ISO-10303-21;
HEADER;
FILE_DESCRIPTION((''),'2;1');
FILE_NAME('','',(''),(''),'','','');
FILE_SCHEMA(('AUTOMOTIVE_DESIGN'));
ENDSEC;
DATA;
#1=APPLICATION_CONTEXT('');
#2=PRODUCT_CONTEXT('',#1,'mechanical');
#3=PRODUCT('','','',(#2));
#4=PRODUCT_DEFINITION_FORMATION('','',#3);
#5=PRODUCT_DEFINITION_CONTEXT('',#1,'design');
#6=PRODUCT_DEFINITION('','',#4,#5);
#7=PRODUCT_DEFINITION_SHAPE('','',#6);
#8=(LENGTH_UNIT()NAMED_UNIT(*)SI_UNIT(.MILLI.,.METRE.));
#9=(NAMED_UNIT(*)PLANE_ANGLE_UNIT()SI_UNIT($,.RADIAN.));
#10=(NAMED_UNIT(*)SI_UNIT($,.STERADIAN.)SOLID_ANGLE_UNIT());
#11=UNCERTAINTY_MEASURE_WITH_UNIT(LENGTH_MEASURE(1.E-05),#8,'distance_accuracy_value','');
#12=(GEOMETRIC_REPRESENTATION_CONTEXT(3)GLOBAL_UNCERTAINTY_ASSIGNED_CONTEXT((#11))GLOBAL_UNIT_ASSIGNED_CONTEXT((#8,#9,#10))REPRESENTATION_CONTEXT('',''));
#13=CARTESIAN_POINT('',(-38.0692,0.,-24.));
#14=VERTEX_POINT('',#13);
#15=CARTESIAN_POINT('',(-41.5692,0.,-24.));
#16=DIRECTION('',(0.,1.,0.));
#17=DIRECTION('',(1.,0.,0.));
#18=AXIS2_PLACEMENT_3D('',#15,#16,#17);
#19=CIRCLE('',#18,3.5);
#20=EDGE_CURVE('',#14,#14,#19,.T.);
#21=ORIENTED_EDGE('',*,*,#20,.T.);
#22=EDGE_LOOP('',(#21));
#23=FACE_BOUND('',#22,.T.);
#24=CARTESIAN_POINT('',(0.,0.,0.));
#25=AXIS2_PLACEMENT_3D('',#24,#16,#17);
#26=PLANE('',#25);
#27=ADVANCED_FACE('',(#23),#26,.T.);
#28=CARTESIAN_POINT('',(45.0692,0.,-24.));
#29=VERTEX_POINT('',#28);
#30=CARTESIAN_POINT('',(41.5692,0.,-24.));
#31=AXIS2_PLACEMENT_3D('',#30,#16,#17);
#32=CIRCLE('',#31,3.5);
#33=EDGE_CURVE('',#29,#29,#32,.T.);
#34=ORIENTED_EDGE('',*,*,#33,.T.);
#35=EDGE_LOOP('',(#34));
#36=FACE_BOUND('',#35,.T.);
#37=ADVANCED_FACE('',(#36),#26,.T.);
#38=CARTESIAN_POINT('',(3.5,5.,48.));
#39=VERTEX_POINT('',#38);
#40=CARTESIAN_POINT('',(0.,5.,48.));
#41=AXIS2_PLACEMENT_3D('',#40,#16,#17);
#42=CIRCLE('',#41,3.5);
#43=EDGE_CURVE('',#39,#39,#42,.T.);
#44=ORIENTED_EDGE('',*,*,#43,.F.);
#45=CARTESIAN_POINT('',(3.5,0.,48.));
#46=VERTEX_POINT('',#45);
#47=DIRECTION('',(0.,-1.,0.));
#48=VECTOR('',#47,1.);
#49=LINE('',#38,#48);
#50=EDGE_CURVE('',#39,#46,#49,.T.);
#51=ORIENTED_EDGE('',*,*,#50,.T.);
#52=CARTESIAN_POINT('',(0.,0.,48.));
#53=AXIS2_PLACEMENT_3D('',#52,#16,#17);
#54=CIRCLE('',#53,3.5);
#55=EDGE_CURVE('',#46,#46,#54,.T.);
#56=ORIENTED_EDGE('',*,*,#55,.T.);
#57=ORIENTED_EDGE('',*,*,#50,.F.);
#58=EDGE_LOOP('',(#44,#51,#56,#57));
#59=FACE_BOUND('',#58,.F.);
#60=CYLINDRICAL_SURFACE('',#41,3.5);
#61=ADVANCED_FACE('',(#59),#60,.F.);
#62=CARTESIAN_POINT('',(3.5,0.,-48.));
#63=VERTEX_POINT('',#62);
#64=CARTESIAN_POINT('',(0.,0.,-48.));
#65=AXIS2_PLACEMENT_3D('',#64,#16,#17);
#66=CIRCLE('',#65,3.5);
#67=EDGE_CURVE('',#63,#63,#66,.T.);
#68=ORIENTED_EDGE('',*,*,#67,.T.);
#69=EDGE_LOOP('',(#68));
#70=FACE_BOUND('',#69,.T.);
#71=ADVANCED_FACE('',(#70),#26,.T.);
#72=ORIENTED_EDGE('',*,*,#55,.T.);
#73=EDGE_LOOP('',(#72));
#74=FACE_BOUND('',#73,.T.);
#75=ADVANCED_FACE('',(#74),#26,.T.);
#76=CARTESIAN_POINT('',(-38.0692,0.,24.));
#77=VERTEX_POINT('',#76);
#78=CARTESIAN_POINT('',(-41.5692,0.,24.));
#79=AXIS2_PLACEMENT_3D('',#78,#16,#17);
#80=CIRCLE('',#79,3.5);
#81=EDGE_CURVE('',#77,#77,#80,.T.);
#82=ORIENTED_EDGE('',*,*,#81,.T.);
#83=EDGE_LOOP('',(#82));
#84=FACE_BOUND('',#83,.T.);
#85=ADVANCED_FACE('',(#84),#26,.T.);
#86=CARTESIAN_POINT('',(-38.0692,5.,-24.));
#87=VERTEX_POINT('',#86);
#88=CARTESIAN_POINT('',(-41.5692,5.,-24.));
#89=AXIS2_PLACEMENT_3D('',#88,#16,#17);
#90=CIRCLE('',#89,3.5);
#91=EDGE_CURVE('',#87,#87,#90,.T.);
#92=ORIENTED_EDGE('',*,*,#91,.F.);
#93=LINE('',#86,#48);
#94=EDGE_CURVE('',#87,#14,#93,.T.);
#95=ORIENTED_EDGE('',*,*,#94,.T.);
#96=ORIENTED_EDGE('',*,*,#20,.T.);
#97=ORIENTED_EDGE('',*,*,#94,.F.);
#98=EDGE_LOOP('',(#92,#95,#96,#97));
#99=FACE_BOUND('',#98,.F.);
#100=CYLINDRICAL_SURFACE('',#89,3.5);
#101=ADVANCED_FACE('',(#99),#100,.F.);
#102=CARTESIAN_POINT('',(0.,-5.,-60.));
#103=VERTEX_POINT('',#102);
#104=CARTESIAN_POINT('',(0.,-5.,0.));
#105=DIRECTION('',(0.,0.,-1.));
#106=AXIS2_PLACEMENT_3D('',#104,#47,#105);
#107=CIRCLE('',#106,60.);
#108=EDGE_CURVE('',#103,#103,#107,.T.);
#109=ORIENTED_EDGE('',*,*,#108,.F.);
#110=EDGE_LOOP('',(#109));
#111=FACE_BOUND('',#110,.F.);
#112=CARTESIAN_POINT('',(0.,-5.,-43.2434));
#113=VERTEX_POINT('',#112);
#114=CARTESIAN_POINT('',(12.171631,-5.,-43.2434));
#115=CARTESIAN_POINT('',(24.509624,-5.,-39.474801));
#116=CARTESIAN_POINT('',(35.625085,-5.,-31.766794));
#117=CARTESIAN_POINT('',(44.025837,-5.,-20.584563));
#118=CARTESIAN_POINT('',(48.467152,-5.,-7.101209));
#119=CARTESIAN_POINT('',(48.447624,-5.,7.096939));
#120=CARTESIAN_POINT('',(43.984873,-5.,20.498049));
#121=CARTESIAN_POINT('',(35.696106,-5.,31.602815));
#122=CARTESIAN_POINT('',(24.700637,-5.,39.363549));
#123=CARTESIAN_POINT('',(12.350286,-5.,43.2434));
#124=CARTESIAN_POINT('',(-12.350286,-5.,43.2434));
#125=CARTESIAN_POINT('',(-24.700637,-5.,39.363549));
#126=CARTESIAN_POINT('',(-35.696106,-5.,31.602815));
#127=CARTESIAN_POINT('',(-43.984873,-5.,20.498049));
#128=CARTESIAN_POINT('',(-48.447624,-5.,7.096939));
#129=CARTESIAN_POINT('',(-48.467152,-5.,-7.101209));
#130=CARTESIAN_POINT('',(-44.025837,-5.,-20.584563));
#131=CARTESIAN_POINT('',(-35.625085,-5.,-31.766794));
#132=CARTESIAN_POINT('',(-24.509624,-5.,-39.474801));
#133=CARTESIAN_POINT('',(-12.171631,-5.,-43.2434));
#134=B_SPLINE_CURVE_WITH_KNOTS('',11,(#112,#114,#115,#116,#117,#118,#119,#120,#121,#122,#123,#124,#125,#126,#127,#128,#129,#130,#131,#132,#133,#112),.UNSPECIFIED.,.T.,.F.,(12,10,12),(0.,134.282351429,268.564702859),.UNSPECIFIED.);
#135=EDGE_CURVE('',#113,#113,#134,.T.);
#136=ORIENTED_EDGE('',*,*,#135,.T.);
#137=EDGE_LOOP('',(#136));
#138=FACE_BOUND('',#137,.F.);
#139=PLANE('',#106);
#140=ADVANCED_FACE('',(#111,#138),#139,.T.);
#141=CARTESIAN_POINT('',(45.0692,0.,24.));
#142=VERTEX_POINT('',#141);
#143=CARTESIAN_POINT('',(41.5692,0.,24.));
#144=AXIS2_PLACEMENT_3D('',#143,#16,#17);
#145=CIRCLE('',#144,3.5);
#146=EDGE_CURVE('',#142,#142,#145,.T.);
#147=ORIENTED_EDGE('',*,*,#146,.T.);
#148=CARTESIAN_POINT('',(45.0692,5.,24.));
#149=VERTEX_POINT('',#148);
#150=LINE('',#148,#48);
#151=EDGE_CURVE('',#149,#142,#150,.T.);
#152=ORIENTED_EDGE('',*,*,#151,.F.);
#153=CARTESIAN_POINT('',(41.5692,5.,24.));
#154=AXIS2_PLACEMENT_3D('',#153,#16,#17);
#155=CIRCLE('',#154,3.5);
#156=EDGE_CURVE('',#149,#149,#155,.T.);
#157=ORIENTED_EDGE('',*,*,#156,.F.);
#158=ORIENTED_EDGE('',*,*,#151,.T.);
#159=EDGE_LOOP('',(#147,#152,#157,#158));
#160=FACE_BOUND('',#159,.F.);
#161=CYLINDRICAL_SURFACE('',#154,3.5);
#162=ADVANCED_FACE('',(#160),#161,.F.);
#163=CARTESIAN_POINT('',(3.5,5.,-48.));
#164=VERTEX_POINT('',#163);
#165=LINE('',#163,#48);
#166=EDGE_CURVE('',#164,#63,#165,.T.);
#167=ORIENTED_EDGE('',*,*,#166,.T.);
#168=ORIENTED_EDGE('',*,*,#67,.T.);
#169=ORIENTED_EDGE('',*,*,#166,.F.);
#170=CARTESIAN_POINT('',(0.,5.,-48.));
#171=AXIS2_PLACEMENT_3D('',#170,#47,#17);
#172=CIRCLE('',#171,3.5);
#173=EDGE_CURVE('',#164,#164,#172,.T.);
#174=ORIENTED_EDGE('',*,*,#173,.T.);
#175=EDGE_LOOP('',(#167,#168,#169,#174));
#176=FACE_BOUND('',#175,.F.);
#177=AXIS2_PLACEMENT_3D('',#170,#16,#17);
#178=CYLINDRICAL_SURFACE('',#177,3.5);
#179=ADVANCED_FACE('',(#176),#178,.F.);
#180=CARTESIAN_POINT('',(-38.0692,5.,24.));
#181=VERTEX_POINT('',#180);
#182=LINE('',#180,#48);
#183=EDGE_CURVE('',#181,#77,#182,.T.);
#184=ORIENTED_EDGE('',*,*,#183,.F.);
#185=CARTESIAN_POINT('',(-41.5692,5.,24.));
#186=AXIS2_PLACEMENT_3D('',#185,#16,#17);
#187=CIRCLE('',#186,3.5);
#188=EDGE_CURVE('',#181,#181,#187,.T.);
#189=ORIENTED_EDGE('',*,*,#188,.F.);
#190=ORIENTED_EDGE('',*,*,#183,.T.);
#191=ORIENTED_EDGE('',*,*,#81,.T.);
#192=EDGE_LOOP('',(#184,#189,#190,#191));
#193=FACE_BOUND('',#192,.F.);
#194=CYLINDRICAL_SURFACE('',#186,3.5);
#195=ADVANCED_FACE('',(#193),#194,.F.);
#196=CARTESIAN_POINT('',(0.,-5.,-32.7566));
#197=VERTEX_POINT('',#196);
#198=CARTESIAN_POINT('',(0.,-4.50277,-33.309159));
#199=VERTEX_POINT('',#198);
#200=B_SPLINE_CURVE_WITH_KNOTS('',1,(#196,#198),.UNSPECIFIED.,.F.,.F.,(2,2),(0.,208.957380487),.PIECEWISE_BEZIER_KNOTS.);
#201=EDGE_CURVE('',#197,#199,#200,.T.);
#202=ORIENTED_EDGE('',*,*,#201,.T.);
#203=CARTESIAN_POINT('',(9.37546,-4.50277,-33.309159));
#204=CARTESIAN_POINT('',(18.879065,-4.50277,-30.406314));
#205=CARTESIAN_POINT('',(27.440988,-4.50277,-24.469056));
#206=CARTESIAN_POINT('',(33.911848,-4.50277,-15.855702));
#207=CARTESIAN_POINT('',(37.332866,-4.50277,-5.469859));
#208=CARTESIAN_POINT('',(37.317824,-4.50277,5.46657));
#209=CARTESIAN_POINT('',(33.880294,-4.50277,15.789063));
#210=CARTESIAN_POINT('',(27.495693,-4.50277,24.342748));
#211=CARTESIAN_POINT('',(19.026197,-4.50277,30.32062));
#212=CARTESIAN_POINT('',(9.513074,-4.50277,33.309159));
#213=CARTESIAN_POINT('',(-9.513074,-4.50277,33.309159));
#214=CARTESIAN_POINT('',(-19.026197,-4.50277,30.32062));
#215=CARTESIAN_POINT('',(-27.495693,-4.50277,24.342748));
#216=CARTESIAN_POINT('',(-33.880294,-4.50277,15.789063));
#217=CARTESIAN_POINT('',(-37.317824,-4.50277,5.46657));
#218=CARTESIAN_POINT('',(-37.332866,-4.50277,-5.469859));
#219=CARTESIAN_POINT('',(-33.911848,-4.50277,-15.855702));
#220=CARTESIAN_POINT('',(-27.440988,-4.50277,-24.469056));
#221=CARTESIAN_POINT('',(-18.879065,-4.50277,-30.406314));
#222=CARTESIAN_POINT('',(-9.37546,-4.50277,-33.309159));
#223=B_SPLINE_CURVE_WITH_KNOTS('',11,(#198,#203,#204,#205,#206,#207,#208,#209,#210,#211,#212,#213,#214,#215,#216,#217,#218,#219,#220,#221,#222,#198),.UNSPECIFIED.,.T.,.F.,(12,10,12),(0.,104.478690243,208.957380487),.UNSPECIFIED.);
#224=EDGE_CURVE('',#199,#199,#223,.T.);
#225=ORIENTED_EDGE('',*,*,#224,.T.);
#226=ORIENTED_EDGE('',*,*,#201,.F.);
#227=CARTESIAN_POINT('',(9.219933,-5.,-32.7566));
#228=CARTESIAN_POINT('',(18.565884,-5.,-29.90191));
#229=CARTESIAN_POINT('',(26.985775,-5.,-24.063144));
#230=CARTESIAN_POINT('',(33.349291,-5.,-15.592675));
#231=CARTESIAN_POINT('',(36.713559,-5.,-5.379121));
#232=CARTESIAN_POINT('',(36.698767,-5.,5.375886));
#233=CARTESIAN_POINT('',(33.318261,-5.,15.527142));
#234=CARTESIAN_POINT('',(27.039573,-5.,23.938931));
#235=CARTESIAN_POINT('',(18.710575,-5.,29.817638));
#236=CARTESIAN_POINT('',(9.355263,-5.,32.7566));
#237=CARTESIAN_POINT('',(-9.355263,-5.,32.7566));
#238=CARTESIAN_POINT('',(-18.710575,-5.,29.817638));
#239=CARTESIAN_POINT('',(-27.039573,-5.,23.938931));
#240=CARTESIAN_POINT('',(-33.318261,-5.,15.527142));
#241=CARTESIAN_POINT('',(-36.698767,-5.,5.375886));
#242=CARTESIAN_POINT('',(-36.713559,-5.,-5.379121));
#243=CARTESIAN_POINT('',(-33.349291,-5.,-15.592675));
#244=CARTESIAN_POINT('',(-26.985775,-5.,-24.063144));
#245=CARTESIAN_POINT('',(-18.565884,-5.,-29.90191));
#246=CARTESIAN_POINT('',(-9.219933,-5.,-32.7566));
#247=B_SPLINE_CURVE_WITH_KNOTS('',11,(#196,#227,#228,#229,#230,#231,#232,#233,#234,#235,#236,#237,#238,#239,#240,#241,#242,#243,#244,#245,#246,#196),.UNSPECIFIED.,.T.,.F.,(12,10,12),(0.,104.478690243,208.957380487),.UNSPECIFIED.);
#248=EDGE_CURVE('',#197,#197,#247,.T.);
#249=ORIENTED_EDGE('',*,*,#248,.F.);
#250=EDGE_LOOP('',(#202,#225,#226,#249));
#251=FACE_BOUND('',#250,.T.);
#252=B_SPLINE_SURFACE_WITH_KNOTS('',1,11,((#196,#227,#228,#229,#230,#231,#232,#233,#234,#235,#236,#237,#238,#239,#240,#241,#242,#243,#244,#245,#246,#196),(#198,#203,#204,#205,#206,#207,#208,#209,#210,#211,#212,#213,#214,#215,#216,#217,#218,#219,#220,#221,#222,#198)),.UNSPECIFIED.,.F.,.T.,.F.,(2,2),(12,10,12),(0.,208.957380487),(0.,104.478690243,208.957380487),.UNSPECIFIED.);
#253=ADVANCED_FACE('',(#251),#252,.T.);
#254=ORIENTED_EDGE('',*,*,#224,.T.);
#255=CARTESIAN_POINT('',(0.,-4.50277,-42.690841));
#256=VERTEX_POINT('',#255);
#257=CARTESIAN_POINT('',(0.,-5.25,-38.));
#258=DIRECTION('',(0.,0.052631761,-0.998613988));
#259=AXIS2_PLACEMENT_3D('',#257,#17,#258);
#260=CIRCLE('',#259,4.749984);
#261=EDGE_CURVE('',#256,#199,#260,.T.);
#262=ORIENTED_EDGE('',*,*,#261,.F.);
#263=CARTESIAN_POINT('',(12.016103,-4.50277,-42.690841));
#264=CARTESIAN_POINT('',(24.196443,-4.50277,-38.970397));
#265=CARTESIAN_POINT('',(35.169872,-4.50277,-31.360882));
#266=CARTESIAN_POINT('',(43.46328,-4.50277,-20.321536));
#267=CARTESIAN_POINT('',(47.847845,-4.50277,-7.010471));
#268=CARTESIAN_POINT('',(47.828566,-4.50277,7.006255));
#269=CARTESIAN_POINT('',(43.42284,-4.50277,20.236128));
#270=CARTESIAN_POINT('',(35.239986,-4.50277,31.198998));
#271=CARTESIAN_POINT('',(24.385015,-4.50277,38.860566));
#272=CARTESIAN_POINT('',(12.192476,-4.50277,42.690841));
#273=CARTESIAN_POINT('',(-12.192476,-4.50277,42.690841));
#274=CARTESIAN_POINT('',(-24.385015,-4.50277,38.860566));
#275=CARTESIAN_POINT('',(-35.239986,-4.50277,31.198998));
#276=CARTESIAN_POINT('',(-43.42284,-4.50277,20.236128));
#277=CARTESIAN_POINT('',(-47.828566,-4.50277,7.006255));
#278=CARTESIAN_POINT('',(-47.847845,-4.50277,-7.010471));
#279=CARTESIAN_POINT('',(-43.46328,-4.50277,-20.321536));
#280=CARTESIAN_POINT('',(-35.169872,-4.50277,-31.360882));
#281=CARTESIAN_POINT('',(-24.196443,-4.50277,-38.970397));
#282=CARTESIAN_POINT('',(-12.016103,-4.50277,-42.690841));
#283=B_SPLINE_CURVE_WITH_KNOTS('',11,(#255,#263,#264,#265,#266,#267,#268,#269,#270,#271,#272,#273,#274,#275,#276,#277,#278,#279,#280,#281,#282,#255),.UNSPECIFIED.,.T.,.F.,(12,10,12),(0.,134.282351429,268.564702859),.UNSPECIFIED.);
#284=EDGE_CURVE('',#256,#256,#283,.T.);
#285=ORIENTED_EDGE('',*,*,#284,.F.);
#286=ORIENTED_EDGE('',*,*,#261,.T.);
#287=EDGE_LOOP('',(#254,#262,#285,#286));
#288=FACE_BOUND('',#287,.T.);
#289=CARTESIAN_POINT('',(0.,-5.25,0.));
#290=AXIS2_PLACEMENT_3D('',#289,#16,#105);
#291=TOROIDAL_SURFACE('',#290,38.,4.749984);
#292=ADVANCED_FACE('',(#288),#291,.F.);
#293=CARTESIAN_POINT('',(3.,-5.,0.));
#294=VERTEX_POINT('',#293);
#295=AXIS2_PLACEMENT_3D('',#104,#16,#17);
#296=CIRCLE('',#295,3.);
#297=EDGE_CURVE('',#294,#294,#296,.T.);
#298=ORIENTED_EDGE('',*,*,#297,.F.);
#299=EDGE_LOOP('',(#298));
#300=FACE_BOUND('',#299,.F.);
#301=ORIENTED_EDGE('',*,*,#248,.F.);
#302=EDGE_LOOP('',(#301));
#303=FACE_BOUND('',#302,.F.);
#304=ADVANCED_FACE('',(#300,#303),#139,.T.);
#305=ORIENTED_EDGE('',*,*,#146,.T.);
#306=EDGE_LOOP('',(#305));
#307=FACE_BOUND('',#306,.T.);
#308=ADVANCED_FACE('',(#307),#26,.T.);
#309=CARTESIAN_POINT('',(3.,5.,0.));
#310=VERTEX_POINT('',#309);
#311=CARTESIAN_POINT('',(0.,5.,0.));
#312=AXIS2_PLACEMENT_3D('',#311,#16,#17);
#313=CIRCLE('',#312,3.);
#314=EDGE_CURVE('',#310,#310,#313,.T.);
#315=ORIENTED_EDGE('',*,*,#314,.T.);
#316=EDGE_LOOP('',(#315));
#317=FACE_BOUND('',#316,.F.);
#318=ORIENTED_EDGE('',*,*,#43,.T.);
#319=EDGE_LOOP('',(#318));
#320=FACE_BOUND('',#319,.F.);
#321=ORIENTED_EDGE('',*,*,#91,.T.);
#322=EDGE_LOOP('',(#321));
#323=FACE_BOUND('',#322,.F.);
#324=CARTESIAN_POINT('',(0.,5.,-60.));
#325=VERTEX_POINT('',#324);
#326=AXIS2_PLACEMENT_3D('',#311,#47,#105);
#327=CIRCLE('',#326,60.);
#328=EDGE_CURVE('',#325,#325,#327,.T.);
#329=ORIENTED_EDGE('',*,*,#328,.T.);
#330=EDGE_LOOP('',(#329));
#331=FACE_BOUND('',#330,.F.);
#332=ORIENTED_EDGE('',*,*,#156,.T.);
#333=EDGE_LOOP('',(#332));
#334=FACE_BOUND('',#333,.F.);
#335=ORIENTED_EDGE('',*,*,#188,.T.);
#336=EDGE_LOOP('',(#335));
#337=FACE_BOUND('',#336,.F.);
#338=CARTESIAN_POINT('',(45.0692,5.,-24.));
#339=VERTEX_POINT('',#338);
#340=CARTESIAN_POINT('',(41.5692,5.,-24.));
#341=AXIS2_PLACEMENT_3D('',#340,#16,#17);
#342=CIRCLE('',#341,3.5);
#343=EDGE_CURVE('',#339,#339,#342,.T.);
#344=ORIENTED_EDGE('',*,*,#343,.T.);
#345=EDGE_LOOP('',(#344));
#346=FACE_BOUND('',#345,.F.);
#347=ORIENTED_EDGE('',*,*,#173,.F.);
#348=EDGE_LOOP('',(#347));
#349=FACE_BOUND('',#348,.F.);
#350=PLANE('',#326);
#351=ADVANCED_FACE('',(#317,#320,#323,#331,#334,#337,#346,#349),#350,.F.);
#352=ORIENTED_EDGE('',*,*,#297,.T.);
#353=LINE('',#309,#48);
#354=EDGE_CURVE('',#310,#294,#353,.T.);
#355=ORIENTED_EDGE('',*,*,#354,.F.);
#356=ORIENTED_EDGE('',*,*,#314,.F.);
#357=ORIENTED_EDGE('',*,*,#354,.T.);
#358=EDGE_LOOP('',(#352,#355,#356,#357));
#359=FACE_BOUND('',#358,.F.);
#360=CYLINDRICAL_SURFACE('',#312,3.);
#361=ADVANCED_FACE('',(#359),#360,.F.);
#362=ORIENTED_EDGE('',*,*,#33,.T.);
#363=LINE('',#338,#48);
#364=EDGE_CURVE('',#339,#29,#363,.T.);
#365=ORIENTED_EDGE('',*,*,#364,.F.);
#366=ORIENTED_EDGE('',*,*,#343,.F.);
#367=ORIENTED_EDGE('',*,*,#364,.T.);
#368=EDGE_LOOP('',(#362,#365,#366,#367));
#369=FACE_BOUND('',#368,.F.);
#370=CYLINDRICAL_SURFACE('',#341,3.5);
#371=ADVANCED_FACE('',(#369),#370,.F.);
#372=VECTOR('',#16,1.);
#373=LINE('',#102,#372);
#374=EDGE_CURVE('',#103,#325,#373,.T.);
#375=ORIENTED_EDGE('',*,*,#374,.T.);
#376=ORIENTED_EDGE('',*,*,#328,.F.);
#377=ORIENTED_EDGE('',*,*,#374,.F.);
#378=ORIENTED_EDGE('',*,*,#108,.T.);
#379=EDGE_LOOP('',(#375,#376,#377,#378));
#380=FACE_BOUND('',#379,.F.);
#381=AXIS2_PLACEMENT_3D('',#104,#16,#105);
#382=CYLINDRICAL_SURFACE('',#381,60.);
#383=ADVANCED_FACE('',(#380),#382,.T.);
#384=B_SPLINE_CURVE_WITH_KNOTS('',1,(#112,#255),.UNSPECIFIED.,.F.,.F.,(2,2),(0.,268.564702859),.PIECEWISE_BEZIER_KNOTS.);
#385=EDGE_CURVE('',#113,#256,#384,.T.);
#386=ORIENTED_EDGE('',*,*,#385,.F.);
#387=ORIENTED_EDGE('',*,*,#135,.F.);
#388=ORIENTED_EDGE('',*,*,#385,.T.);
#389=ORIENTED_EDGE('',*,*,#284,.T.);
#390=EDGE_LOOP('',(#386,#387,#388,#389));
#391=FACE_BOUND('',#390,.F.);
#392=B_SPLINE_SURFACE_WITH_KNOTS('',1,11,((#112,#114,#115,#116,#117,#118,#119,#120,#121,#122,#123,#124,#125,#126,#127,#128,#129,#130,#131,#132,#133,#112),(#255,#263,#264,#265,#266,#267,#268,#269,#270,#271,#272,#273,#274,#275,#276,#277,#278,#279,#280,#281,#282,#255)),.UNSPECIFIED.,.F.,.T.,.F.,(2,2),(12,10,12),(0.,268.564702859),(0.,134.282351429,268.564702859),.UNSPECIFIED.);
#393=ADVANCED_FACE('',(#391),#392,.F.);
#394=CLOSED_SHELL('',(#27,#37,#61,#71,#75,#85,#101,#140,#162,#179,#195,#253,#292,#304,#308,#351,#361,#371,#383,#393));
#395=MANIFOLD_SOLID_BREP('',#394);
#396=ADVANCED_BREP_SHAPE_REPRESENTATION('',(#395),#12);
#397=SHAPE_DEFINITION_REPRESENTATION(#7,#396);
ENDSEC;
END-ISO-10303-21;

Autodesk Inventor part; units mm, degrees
ref_plane "YZ Plane" through (0, 0, 0) normal (1, 0, 0) x (0, 1, 0)
ref_plane "XZ Plane" through (0, 0, 0) normal (0, 1, 0) x (-1, 0, 0)
ref_plane "XY Plane" through (0, 0, 0) normal (0, 0, 1) x (1, 0, 0)
sketch "Szkic1" plane through (0, 0, 0) normal (1, 0, 0) x (0, 1, 0)
  line L0 (5, 0) -> (-5, 0)
  line L1 (-5, 0) -> (-5, -19.25)
  line L2 (-5, -60) -> (5, -60)
  line L3 (5, -60) -> (5, 0)
  line L4 (5, 0) -> (5, -32)
  line L5 (5, 0) -> (5, -28.5)
  line L6 (-5, 0) -> (-5, -6)
  line L7 (-7.3, 0) -> (7.05, 0) projected
  line L8 (-5, 0) -> (-5, -33.2566)
  line L9 (-5, 0) -> (-5.25, 0)
  arc A0 (-5, -42.7434) -> (-5, -33.2566) centre (-5.25, -38) ccw
  line L10 (-5, -42.7434) -> (-5, -60)
  line L11 (-5, -28.75) -> (-5, -33.2566)
  line L12 (-5, -42.7434) -> (-5, -60)
  point P0 (0, 0)
  point P1 (0, 0)
  dimension "d0" = 10
  dimension "d1" = 60
  dimension "d44" = 38
  dimension "d48" = 4.75
revolve "Obrót2" add sketch "Szkic1" angle 360 about axis through (0, 5, 0) along (0, -1, 0)
sketch "Szkic4" plane through (0, 5, 0) normal (0, 1, 0) x (1, 0, 0)
  line L0 (0, 0) -> (0, 48)
  circle A0 centre (0, 48) radius 3.5
  circle A1 centre (-41.5692, 24) radius 3.5
  circle A2 centre (-41.5692, -24) radius 3.5
  circle A3 centre (0, -48) radius 3.5
  circle A4 centre (41.5692, -24) radius 3.5
  circle A5 centre (41.5692, 24) radius 3.5
  circle A6 centre (0, 0) radius 3
  dimension "d32" = 48
  dimension "d33" = 7
  dimension "d36" = 360
  dimension "d38" = 6
extrude "Wyciągnięcie proste5" cut sketch "Szkic4" against normal blind 5 contours A0 | A1 | A2 | A3 | A4 | A5
sketch "Szkic5" plane through (0, 5, 0) normal (0, 1, 0) x (1, 0, 0)
  circle A0 centre (0, 0) radius 3
  dimension "d41" = 6
extrude "Wyciągnięcie proste6" cut sketch "Szkic5" against normal blind 10
chamfer "Faza2" distance 0.5 angle 45 2 edges at (0, -5, 42.7434) (0, -5, 33.2566)
properties part number "Base"
